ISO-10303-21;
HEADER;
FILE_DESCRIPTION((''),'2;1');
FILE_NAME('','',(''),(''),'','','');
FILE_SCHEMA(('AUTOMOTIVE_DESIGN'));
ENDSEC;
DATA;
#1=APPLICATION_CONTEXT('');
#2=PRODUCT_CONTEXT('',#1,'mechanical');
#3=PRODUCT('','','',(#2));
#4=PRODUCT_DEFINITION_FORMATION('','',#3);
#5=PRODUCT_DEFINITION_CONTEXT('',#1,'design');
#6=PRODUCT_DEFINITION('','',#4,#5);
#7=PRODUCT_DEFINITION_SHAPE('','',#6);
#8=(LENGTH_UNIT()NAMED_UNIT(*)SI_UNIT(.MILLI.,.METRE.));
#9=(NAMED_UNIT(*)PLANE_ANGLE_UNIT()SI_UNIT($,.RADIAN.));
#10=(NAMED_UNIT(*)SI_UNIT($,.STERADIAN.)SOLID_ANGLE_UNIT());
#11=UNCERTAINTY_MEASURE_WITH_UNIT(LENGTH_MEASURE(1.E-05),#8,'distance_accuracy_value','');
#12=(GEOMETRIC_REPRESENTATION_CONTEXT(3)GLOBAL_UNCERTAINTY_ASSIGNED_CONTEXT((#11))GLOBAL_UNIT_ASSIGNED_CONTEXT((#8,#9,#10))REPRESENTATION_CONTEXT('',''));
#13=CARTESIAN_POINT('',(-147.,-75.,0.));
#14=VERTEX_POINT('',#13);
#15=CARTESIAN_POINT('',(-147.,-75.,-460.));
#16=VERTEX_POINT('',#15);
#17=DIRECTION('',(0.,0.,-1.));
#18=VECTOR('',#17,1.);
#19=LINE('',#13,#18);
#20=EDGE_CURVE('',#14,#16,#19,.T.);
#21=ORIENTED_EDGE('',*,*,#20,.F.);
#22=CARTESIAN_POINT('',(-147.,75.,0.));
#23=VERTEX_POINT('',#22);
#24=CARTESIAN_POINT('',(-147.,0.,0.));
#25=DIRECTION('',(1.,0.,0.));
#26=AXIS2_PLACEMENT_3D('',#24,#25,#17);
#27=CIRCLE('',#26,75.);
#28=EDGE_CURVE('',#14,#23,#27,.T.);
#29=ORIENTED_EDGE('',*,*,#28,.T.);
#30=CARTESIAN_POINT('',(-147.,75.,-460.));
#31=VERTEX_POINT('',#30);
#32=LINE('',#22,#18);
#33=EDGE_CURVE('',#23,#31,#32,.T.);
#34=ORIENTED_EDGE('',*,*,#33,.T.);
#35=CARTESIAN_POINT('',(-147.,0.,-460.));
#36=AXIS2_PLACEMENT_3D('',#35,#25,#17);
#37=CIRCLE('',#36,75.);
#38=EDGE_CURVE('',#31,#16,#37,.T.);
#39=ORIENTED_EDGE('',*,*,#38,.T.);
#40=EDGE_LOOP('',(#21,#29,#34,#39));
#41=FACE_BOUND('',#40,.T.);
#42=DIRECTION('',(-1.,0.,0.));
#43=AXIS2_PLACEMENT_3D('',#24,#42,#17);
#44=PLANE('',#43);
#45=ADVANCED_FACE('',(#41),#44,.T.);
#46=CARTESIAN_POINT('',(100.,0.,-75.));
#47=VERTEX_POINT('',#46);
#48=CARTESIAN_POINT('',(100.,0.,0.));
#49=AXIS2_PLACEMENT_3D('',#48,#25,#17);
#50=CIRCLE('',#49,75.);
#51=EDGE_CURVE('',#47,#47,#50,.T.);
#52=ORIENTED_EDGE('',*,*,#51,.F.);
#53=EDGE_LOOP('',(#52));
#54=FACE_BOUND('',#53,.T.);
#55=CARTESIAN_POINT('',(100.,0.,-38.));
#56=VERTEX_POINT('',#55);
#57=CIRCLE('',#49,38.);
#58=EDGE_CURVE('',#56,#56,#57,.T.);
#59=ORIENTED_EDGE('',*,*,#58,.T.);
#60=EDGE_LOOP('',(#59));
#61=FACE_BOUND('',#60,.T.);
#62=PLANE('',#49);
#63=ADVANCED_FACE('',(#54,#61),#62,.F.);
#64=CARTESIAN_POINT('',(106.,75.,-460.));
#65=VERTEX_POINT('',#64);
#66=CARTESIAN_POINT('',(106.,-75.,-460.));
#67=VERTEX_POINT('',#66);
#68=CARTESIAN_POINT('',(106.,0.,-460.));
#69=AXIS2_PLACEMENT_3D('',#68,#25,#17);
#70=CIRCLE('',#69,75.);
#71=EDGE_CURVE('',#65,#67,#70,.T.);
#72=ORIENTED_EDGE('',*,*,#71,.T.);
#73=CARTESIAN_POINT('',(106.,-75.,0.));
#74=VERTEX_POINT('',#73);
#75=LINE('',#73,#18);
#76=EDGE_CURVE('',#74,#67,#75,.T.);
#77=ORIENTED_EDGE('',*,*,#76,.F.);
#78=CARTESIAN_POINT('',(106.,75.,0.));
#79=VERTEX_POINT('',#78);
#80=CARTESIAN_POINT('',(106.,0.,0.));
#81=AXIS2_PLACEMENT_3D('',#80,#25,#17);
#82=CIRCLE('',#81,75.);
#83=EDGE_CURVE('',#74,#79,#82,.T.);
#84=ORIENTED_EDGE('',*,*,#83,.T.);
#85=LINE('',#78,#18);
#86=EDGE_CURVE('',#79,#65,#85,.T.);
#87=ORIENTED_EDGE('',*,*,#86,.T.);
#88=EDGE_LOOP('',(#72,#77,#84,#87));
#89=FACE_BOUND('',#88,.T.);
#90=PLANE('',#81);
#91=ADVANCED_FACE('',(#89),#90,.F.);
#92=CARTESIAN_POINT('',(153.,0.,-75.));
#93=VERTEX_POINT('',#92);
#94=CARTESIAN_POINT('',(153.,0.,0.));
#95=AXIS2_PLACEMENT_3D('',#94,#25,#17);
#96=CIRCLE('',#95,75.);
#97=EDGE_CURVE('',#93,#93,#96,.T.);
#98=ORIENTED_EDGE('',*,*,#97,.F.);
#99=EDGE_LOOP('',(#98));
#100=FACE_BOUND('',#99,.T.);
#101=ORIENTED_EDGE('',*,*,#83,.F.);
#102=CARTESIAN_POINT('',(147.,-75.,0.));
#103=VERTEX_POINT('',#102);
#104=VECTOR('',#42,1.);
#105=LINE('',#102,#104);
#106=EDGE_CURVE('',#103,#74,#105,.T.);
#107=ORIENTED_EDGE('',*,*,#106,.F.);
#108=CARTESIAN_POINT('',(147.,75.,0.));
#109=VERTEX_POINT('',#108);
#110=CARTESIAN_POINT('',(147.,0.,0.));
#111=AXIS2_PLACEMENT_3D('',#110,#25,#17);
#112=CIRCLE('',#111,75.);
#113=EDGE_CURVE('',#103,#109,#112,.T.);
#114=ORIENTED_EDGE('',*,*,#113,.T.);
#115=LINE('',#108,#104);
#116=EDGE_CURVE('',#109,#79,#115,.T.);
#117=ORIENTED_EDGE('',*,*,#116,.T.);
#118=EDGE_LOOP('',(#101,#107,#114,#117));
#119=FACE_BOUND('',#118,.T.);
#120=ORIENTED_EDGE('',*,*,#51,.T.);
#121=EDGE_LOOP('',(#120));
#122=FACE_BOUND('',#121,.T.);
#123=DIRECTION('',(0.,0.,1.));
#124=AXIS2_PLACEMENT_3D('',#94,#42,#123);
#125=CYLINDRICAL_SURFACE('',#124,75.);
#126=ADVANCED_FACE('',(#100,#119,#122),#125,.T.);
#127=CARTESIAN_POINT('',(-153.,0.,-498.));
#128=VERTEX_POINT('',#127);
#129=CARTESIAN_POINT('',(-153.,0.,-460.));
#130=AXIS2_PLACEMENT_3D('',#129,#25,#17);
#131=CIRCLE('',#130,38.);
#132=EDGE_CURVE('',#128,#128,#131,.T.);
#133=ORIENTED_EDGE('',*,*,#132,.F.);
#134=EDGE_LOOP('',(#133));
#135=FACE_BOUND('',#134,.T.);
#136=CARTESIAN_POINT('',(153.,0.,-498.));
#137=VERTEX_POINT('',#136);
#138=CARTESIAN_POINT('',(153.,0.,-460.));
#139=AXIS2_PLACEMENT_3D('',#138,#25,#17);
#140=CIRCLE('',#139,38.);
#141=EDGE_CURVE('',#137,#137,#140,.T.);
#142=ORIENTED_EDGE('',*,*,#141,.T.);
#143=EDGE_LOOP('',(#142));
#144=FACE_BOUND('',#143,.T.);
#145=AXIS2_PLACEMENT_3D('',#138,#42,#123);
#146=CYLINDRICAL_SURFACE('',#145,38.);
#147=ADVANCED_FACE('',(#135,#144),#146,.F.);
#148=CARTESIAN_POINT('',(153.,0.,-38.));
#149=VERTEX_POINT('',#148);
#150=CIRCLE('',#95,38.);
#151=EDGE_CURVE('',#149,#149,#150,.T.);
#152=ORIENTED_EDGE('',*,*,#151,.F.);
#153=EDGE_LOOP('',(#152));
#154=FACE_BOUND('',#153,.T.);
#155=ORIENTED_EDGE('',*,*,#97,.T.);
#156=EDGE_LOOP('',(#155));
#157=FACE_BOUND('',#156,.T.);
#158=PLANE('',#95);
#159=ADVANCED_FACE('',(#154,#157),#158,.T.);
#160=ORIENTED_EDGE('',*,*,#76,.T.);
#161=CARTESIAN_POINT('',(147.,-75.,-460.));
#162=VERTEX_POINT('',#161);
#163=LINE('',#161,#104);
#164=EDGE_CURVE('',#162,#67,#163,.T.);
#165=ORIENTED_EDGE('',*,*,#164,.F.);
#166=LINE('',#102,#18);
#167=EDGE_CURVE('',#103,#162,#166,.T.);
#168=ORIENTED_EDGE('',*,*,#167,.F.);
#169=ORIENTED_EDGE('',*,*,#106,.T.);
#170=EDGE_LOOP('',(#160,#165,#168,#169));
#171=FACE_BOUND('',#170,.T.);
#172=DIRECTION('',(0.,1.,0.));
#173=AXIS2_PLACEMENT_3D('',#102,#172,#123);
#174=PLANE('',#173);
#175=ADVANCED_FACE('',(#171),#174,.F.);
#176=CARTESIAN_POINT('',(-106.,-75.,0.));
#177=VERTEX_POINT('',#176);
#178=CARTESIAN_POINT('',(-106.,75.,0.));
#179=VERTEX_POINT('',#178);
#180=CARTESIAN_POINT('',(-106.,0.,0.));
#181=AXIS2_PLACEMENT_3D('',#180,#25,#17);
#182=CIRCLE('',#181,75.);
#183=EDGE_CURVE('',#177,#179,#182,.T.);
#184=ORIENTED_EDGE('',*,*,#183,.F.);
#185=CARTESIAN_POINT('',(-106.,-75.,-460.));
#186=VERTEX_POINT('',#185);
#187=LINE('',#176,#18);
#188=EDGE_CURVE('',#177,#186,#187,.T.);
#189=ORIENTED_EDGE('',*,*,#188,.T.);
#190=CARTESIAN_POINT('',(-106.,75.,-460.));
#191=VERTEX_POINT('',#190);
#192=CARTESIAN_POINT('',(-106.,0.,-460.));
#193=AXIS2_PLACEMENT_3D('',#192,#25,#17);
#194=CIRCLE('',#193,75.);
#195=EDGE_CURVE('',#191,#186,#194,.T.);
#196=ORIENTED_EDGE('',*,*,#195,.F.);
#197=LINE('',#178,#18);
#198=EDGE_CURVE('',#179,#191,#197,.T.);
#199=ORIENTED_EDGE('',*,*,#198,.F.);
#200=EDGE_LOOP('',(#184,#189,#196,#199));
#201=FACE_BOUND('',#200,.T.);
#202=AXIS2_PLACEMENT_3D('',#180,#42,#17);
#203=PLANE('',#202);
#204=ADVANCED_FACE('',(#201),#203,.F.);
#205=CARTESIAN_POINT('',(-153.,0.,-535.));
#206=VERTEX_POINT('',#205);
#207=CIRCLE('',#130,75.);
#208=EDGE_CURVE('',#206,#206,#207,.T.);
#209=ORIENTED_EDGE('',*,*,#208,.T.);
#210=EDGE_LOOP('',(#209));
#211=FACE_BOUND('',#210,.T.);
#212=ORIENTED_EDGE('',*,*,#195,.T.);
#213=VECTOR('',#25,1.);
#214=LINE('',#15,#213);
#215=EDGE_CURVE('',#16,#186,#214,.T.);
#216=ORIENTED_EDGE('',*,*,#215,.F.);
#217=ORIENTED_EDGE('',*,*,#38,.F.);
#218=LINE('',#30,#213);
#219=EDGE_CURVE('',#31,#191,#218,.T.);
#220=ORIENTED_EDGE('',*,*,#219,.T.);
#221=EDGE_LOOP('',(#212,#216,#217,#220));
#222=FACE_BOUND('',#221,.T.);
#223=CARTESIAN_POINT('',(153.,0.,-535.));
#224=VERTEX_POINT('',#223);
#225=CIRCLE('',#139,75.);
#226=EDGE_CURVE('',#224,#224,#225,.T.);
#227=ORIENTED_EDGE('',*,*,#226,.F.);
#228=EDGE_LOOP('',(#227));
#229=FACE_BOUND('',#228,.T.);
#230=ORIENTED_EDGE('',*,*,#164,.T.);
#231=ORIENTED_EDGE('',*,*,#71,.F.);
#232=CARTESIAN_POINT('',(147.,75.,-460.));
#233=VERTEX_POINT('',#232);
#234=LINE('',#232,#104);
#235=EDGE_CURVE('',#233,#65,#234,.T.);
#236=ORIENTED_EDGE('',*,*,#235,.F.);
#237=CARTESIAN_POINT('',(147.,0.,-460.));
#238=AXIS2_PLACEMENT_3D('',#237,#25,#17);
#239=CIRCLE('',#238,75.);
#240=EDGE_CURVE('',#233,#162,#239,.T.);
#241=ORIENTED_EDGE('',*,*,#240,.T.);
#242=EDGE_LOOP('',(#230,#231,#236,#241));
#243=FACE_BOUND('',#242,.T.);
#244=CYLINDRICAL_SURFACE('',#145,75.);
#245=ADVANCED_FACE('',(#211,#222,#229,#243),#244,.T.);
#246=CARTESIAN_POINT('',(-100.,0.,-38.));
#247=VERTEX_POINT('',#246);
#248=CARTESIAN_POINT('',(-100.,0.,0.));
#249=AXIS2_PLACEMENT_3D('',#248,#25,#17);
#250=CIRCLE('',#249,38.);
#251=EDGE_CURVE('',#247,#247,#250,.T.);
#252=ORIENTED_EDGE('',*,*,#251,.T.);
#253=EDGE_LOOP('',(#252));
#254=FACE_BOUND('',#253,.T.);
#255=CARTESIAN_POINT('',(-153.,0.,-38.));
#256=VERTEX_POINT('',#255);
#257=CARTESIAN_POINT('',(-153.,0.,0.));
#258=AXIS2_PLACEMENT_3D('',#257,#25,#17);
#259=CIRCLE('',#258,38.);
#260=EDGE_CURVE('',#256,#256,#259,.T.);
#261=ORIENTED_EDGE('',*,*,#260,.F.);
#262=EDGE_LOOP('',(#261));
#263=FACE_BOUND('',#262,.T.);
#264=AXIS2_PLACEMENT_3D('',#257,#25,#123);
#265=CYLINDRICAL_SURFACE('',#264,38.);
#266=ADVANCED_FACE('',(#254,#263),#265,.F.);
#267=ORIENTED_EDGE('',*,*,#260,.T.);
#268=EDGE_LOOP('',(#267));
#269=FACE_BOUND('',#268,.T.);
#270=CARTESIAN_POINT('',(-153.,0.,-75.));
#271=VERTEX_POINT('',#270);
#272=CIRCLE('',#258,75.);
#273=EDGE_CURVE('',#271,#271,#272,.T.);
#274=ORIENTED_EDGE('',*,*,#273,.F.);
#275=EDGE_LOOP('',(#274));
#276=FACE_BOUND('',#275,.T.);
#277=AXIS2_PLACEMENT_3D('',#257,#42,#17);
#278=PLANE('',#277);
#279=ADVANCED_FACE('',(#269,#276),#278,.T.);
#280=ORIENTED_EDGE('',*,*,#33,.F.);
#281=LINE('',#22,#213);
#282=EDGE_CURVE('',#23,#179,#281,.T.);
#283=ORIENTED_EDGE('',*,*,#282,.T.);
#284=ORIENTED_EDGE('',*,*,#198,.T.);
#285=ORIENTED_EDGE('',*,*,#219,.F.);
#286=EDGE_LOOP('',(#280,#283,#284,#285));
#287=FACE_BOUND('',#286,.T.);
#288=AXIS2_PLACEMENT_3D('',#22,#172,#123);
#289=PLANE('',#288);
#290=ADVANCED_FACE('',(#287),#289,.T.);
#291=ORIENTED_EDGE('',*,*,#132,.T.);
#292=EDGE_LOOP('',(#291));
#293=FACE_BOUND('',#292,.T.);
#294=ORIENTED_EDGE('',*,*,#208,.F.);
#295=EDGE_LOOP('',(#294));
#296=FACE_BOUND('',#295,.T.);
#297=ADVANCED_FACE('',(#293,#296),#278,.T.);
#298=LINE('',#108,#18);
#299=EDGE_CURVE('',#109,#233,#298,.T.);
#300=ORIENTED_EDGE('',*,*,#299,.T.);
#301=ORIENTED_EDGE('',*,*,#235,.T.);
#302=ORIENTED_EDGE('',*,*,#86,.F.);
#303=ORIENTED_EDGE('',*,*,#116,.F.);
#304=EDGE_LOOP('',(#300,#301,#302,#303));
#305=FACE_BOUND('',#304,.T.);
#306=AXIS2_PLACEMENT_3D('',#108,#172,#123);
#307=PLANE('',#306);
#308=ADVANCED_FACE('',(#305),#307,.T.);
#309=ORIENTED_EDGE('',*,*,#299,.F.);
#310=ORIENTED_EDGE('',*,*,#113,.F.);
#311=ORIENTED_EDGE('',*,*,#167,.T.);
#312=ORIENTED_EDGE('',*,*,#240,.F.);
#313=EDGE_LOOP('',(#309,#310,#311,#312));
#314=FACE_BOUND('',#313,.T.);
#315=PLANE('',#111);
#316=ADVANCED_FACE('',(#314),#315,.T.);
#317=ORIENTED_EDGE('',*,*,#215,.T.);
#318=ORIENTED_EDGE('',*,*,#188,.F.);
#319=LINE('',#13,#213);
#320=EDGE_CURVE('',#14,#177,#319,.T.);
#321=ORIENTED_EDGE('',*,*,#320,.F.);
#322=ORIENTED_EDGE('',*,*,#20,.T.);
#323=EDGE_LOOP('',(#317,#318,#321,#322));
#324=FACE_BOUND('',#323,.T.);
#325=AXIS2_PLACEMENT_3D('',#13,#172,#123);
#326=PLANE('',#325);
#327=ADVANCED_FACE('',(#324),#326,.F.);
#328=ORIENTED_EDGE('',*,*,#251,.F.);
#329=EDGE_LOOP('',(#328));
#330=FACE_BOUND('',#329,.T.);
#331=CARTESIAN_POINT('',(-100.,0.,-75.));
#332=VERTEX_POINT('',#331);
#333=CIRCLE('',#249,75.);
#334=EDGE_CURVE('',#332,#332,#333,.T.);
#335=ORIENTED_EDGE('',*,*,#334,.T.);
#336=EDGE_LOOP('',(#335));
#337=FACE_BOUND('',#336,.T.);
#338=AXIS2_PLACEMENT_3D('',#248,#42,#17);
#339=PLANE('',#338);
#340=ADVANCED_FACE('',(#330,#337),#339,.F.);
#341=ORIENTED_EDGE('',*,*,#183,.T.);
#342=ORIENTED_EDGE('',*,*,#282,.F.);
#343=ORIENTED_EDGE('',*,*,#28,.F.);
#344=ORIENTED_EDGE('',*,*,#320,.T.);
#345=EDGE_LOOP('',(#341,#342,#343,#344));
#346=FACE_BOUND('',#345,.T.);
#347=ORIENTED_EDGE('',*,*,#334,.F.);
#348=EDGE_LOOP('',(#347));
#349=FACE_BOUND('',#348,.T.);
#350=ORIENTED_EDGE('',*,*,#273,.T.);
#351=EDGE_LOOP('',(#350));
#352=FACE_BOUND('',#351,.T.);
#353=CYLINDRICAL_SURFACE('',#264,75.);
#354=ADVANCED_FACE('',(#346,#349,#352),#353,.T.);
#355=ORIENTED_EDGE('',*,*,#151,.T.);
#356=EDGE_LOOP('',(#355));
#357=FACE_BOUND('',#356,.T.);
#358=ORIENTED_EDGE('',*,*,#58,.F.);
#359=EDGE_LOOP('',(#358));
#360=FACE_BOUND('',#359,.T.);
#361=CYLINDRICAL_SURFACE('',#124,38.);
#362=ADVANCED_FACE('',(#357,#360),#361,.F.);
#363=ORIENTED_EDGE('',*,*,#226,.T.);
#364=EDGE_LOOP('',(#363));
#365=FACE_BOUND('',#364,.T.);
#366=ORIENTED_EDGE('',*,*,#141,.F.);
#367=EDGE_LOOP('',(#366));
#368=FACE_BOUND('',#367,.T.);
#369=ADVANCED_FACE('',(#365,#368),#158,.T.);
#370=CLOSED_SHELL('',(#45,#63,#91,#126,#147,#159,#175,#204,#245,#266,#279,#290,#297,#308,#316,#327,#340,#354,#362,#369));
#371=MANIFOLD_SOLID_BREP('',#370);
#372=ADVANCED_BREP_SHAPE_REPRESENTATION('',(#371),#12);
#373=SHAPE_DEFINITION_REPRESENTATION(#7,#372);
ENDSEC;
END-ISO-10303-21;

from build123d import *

# Parameters (mm, degrees)
BOSS_EXTRUDE2_START   = 100
SKETCH2_R             = 75
SKETCH2_R_2           = 38
BOSS_EXTRUDE2_DEPTH   = 53
BOSS_EXTRUDE2_2_DEPTH = 53
BOSS_EXTRUDE3_START   = 106
BOSS_EXTRUDE3_DEPTH   = 41
SKETCH2_6_R           = 75
SKETCH2_6_R_2         = 38
BOSS_EXTRUDE4_DEPTH   = 100


with BuildPart() as part:
    # Sketch2 → Boss-Extrude2 (new body)
    with BuildSketch(Plane(origin=(0, 0, 0), x_dir=(0, 0, -1), z_dir=(1, 0, 0)).offset(BOSS_EXTRUDE2_START)):
        Circle(SKETCH2_R)
        Circle(SKETCH2_R_2, mode=Mode.SUBTRACT)
    boss_extrude2 = extrude(amount=BOSS_EXTRUDE2_DEPTH)



with BuildPart() as body_2:
    # Sketch2 → Boss-Extrude2 2 (new body)
    with BuildSketch(Plane(origin=(0, 0, 0), x_dir=(0, 0, -1), z_dir=(1, 0, 0)).offset(BOSS_EXTRUDE2_START)):
        with Locations((460, 0)):
            Circle(SKETCH2_R)
        with Locations((460, 0)):
            Circle(SKETCH2_R_2, mode=Mode.SUBTRACT)
    boss_extrude2_2 = extrude(amount=BOSS_EXTRUDE2_2_DEPTH)


with BuildPart() as part_1:
    add(part.part)

    add(body_2.part)  # Boss-Extrude3 merges body 2
    # Sketch2<5> → Boss-Extrude3 (add)
    with BuildSketch(Plane(origin=(0, 0, 0), x_dir=(0, 0, -1), z_dir=(1, 0, 0)).offset(BOSS_EXTRUDE3_START)):
        with BuildLine():
            ThreePointArc((0, 75), (53.033008589, 53.033008589), (75, 0))
            Line((75, 0), (385, 0))
            ThreePointArc((385, 0), (406.966991411, 53.033008589), (460, 75))
            Line((460, 75), (0, 75))
        make_face()
        with BuildLine():
            Line((385, 0), (75, 0))
            ThreePointArc((75, 0), (53.033008589, -53.033008589), (0, -75))
            Line((0, -75), (460, -75))
            ThreePointArc((460, -75), (406.966991411, -53.033008589), (385, 0))
        make_face()
    boss_extrude3 = extrude(amount=BOSS_EXTRUDE3_DEPTH)

    # Sketch2<6> → Boss-Extrude4 (add)
    with BuildSketch(Plane(origin=(0, 0, 0), x_dir=(0, 0, -1), z_dir=(1, 0, 0))):
        with Locations((460, 0)):
            Circle(SKETCH2_6_R)
        with Locations((460, 0)):
            Circle(SKETCH2_6_R_2, mode=Mode.SUBTRACT)
    boss_extrude4 = extrude(amount=BOSS_EXTRUDE4_DEPTH)

    # Mirror1: Boss-Extrude2, Boss-Extrude2 2, Boss-Extrude3, Boss-Extrude4 across plane
    add(boss_extrude2.mirror(Plane(origin=(0, 0, 0), x_dir=(0, 0, 1), z_dir=(1, 0, 0))))
    add(boss_extrude2_2.mirror(Plane(origin=(0, 0, 0), x_dir=(0, 0, 1), z_dir=(1, 0, 0))))
    add(boss_extrude3.mirror(Plane(origin=(0, 0, 0), x_dir=(0, 0, 1), z_dir=(1, 0, 0))))
    add(boss_extrude4.mirror(Plane(origin=(0, 0, 0), x_dir=(0, 0, 1), z_dir=(1, 0, 0))))


solid = part_1.part
